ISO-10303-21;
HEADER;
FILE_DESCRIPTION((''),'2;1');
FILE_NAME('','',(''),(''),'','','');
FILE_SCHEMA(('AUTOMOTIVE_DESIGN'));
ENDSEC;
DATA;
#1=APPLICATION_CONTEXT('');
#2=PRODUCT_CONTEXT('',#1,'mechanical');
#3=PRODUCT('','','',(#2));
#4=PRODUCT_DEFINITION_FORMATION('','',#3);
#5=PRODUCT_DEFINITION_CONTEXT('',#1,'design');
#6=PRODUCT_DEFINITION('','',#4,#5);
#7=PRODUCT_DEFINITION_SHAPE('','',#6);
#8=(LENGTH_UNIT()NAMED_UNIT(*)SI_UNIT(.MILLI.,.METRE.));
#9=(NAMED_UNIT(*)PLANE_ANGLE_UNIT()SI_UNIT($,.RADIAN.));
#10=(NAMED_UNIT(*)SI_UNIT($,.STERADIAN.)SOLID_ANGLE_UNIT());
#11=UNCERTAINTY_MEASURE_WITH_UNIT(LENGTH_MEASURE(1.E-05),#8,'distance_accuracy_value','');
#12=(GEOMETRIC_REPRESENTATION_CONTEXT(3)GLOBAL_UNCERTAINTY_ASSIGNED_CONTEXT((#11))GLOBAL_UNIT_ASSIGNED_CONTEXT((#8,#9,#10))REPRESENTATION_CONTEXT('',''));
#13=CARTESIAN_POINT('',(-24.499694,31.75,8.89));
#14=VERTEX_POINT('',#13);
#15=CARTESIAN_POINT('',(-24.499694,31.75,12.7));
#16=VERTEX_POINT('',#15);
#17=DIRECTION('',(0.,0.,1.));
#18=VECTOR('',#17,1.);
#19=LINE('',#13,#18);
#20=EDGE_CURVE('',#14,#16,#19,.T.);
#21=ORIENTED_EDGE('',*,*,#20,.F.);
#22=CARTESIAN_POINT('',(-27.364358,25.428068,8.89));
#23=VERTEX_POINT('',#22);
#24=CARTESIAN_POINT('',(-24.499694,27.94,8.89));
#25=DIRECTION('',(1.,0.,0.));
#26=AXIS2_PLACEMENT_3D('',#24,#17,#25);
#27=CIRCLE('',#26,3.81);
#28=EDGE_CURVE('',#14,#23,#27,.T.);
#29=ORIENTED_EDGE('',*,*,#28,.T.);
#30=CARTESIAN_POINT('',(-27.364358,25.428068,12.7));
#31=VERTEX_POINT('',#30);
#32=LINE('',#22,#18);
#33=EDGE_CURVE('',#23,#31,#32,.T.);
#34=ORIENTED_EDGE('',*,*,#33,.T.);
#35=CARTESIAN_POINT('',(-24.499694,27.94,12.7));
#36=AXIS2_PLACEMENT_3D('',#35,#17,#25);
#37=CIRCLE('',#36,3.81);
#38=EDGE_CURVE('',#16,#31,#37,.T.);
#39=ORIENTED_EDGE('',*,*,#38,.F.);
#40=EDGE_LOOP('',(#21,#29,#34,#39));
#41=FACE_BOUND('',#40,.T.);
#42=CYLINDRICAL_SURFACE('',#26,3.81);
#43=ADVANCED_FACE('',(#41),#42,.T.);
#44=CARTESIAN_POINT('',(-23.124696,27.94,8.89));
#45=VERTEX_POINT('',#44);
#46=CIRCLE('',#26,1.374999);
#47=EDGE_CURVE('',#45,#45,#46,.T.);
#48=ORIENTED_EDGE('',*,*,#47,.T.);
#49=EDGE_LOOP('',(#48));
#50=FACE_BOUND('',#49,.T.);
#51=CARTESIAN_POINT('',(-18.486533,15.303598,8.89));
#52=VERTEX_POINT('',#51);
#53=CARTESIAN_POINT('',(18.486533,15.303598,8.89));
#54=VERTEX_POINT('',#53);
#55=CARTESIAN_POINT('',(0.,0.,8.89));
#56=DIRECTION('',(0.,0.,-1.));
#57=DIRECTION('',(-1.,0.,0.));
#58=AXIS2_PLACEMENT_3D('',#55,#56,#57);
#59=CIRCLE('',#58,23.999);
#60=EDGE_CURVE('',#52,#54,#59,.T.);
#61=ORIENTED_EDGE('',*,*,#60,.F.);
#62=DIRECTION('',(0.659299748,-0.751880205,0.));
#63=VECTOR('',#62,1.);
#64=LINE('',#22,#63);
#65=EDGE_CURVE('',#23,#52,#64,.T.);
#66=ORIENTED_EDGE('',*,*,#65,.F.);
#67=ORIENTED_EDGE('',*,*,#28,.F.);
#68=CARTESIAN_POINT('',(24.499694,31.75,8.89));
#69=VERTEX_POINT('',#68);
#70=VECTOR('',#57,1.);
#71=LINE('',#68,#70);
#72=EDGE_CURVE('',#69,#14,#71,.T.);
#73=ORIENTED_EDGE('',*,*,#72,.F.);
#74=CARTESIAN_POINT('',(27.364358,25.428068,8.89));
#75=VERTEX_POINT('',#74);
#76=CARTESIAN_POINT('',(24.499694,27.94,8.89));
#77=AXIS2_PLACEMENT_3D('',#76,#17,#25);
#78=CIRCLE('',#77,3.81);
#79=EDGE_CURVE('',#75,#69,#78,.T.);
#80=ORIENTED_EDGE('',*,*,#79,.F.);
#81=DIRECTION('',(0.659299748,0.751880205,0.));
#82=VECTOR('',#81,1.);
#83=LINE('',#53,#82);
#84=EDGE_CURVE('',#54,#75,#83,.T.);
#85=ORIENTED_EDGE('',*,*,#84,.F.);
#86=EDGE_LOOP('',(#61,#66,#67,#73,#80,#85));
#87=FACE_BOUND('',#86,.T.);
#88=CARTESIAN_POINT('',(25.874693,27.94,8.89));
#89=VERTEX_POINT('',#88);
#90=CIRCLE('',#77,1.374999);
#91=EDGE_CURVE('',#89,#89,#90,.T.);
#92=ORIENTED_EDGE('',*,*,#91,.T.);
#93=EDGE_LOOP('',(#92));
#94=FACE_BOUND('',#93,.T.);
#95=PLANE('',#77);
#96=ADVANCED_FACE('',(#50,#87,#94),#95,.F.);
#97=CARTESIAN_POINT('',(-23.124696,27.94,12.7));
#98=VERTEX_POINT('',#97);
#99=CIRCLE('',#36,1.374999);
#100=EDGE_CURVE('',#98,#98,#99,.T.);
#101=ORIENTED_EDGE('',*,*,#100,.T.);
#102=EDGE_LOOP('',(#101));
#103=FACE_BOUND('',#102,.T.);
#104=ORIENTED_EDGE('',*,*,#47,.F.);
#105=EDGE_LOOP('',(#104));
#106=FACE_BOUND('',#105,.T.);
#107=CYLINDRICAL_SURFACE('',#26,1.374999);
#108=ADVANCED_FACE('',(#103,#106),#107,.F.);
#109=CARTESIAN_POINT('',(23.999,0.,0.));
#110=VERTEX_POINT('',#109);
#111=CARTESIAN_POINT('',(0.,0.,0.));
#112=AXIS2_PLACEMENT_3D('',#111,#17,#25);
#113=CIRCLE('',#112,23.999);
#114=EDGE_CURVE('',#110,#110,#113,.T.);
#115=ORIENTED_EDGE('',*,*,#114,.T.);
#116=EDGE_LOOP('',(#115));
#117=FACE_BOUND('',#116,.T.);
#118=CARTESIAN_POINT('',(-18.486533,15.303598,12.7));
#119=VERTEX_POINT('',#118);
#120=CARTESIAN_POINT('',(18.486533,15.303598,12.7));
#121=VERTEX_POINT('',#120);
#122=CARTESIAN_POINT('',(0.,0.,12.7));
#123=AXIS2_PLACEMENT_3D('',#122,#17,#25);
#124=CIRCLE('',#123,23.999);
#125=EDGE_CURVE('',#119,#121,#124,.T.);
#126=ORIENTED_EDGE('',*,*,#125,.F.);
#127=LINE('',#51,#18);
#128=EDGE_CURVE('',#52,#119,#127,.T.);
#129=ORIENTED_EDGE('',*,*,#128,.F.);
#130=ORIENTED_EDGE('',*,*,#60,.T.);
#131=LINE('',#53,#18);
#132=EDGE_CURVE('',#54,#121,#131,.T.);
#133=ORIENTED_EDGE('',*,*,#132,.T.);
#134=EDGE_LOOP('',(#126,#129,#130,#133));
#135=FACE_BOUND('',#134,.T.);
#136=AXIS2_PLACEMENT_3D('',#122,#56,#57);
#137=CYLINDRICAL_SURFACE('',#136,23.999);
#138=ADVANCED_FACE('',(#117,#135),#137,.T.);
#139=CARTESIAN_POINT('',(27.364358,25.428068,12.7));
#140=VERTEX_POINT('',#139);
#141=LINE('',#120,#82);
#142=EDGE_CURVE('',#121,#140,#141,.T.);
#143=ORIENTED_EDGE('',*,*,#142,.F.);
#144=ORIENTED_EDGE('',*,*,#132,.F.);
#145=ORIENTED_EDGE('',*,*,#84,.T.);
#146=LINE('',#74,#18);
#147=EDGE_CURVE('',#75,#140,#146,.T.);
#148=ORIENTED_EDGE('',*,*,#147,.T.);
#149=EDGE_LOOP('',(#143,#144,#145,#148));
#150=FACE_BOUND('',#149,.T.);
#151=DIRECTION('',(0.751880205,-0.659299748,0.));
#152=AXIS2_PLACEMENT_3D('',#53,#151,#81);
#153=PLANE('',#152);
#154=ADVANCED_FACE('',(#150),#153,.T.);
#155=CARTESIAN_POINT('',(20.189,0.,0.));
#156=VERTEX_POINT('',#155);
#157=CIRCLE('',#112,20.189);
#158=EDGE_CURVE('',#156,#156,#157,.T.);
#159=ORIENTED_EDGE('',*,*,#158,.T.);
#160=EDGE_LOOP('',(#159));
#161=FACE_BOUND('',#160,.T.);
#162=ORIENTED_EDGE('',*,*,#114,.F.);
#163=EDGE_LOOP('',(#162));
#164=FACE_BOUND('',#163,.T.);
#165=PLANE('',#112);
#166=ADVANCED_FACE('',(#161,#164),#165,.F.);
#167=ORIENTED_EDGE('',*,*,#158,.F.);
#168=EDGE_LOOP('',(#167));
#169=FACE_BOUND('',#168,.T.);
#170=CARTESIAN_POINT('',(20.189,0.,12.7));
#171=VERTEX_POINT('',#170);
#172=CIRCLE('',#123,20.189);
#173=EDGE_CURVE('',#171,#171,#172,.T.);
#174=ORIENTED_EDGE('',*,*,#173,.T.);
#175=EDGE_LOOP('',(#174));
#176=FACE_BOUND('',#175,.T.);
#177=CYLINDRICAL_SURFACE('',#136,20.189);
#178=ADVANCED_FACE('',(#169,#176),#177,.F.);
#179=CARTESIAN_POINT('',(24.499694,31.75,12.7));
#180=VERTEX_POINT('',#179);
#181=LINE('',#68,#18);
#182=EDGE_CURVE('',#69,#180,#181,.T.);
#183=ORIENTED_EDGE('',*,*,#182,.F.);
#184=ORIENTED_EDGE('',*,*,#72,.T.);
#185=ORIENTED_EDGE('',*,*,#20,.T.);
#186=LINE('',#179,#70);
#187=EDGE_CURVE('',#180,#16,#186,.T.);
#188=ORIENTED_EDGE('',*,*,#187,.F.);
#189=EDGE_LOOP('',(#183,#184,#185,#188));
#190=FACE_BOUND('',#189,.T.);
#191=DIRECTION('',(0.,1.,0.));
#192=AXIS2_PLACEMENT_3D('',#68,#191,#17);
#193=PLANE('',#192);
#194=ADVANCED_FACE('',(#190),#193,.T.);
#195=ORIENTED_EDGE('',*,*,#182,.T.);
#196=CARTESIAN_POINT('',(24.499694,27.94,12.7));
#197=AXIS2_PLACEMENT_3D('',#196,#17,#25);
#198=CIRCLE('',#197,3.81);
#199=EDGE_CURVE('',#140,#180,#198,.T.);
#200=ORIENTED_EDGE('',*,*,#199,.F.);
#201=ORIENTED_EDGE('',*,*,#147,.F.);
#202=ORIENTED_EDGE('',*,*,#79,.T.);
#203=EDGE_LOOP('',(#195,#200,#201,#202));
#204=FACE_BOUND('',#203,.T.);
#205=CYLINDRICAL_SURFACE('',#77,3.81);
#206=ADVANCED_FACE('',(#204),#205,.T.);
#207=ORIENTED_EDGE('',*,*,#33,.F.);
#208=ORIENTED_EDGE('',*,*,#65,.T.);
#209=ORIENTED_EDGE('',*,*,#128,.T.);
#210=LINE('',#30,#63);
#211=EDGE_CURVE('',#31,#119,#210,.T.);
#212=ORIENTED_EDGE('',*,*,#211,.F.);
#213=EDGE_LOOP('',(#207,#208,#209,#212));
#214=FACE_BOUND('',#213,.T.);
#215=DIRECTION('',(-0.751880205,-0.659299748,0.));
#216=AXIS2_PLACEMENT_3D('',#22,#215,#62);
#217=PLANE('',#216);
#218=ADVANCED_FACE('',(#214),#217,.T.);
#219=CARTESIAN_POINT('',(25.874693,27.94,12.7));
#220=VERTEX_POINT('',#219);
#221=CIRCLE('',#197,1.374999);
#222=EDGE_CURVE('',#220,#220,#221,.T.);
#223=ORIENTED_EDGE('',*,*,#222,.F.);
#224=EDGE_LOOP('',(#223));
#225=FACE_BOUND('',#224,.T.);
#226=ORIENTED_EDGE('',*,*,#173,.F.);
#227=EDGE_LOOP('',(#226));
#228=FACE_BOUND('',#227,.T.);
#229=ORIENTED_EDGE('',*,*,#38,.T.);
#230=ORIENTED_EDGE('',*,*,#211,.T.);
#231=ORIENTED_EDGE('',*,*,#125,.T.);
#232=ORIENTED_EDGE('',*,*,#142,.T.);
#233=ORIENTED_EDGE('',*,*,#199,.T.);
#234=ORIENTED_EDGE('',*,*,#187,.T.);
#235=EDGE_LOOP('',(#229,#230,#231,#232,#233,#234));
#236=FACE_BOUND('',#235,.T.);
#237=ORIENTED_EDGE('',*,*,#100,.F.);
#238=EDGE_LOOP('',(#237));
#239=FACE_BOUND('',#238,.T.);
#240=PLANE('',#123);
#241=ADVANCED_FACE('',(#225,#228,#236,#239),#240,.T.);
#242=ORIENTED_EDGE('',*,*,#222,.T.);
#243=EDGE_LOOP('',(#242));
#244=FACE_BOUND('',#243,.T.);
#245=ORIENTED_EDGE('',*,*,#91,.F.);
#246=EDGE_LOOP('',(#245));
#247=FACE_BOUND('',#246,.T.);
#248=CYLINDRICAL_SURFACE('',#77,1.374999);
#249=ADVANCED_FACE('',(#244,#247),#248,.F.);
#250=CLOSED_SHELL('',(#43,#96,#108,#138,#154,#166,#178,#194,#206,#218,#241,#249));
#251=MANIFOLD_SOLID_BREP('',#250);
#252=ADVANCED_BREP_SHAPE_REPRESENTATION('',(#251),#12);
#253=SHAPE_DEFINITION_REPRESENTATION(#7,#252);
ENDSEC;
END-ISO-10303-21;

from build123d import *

# Parameters (mm, degrees)
SKETCH1_R           = 23.999
SKETCH1_R_2         = 20.189
BOSS_EXTRUDE1_DEPTH = 12.7
SKETCH2_R           = 1.37499852
BOSS_EXTRUDE2_DEPTH = 3.81


with BuildPart() as part:
    # Sketch1 → Boss-Extrude1 (new body)
    with BuildSketch(Plane.XY):
        Circle(SKETCH1_R)
        Circle(SKETCH1_R_2, mode=Mode.SUBTRACT)
    extrude(amount=BOSS_EXTRUDE1_DEPTH)

    # Sketch2 → Boss-Extrude2 (add)
    with BuildSketch(Plane.XY.offset(12.7)):
        with BuildLine():
            Line((18.486532878, 15.303597719), (27.364357617, 25.428067959))
            ThreePointArc((27.364357617, 25.428067959), (27.970037037, 29.512520099), (24.499694037, 31.75))
            Line((24.499694037, 31.75), (-24.499694037, 31.75))
            ThreePointArc((-24.499694037, 31.75), (-27.970037037, 29.512520099), (-27.364357617, 25.428067959))
            Line((-27.364357617, 25.428067959), (-18.486532878, 15.303597719))
            ThreePointArc((-18.486532878, 15.303597719), (0, 23.999), (18.486532878, 15.303597719))
        make_face()
        with Locations((-24.499694037, 27.94)):
            Circle(SKETCH2_R, mode=Mode.SUBTRACT)
        with Locations((24.499694037, 27.94)):
            Circle(SKETCH2_R, mode=Mode.SUBTRACT)
    extrude(amount=-BOSS_EXTRUDE2_DEPTH)


solid = part.part
